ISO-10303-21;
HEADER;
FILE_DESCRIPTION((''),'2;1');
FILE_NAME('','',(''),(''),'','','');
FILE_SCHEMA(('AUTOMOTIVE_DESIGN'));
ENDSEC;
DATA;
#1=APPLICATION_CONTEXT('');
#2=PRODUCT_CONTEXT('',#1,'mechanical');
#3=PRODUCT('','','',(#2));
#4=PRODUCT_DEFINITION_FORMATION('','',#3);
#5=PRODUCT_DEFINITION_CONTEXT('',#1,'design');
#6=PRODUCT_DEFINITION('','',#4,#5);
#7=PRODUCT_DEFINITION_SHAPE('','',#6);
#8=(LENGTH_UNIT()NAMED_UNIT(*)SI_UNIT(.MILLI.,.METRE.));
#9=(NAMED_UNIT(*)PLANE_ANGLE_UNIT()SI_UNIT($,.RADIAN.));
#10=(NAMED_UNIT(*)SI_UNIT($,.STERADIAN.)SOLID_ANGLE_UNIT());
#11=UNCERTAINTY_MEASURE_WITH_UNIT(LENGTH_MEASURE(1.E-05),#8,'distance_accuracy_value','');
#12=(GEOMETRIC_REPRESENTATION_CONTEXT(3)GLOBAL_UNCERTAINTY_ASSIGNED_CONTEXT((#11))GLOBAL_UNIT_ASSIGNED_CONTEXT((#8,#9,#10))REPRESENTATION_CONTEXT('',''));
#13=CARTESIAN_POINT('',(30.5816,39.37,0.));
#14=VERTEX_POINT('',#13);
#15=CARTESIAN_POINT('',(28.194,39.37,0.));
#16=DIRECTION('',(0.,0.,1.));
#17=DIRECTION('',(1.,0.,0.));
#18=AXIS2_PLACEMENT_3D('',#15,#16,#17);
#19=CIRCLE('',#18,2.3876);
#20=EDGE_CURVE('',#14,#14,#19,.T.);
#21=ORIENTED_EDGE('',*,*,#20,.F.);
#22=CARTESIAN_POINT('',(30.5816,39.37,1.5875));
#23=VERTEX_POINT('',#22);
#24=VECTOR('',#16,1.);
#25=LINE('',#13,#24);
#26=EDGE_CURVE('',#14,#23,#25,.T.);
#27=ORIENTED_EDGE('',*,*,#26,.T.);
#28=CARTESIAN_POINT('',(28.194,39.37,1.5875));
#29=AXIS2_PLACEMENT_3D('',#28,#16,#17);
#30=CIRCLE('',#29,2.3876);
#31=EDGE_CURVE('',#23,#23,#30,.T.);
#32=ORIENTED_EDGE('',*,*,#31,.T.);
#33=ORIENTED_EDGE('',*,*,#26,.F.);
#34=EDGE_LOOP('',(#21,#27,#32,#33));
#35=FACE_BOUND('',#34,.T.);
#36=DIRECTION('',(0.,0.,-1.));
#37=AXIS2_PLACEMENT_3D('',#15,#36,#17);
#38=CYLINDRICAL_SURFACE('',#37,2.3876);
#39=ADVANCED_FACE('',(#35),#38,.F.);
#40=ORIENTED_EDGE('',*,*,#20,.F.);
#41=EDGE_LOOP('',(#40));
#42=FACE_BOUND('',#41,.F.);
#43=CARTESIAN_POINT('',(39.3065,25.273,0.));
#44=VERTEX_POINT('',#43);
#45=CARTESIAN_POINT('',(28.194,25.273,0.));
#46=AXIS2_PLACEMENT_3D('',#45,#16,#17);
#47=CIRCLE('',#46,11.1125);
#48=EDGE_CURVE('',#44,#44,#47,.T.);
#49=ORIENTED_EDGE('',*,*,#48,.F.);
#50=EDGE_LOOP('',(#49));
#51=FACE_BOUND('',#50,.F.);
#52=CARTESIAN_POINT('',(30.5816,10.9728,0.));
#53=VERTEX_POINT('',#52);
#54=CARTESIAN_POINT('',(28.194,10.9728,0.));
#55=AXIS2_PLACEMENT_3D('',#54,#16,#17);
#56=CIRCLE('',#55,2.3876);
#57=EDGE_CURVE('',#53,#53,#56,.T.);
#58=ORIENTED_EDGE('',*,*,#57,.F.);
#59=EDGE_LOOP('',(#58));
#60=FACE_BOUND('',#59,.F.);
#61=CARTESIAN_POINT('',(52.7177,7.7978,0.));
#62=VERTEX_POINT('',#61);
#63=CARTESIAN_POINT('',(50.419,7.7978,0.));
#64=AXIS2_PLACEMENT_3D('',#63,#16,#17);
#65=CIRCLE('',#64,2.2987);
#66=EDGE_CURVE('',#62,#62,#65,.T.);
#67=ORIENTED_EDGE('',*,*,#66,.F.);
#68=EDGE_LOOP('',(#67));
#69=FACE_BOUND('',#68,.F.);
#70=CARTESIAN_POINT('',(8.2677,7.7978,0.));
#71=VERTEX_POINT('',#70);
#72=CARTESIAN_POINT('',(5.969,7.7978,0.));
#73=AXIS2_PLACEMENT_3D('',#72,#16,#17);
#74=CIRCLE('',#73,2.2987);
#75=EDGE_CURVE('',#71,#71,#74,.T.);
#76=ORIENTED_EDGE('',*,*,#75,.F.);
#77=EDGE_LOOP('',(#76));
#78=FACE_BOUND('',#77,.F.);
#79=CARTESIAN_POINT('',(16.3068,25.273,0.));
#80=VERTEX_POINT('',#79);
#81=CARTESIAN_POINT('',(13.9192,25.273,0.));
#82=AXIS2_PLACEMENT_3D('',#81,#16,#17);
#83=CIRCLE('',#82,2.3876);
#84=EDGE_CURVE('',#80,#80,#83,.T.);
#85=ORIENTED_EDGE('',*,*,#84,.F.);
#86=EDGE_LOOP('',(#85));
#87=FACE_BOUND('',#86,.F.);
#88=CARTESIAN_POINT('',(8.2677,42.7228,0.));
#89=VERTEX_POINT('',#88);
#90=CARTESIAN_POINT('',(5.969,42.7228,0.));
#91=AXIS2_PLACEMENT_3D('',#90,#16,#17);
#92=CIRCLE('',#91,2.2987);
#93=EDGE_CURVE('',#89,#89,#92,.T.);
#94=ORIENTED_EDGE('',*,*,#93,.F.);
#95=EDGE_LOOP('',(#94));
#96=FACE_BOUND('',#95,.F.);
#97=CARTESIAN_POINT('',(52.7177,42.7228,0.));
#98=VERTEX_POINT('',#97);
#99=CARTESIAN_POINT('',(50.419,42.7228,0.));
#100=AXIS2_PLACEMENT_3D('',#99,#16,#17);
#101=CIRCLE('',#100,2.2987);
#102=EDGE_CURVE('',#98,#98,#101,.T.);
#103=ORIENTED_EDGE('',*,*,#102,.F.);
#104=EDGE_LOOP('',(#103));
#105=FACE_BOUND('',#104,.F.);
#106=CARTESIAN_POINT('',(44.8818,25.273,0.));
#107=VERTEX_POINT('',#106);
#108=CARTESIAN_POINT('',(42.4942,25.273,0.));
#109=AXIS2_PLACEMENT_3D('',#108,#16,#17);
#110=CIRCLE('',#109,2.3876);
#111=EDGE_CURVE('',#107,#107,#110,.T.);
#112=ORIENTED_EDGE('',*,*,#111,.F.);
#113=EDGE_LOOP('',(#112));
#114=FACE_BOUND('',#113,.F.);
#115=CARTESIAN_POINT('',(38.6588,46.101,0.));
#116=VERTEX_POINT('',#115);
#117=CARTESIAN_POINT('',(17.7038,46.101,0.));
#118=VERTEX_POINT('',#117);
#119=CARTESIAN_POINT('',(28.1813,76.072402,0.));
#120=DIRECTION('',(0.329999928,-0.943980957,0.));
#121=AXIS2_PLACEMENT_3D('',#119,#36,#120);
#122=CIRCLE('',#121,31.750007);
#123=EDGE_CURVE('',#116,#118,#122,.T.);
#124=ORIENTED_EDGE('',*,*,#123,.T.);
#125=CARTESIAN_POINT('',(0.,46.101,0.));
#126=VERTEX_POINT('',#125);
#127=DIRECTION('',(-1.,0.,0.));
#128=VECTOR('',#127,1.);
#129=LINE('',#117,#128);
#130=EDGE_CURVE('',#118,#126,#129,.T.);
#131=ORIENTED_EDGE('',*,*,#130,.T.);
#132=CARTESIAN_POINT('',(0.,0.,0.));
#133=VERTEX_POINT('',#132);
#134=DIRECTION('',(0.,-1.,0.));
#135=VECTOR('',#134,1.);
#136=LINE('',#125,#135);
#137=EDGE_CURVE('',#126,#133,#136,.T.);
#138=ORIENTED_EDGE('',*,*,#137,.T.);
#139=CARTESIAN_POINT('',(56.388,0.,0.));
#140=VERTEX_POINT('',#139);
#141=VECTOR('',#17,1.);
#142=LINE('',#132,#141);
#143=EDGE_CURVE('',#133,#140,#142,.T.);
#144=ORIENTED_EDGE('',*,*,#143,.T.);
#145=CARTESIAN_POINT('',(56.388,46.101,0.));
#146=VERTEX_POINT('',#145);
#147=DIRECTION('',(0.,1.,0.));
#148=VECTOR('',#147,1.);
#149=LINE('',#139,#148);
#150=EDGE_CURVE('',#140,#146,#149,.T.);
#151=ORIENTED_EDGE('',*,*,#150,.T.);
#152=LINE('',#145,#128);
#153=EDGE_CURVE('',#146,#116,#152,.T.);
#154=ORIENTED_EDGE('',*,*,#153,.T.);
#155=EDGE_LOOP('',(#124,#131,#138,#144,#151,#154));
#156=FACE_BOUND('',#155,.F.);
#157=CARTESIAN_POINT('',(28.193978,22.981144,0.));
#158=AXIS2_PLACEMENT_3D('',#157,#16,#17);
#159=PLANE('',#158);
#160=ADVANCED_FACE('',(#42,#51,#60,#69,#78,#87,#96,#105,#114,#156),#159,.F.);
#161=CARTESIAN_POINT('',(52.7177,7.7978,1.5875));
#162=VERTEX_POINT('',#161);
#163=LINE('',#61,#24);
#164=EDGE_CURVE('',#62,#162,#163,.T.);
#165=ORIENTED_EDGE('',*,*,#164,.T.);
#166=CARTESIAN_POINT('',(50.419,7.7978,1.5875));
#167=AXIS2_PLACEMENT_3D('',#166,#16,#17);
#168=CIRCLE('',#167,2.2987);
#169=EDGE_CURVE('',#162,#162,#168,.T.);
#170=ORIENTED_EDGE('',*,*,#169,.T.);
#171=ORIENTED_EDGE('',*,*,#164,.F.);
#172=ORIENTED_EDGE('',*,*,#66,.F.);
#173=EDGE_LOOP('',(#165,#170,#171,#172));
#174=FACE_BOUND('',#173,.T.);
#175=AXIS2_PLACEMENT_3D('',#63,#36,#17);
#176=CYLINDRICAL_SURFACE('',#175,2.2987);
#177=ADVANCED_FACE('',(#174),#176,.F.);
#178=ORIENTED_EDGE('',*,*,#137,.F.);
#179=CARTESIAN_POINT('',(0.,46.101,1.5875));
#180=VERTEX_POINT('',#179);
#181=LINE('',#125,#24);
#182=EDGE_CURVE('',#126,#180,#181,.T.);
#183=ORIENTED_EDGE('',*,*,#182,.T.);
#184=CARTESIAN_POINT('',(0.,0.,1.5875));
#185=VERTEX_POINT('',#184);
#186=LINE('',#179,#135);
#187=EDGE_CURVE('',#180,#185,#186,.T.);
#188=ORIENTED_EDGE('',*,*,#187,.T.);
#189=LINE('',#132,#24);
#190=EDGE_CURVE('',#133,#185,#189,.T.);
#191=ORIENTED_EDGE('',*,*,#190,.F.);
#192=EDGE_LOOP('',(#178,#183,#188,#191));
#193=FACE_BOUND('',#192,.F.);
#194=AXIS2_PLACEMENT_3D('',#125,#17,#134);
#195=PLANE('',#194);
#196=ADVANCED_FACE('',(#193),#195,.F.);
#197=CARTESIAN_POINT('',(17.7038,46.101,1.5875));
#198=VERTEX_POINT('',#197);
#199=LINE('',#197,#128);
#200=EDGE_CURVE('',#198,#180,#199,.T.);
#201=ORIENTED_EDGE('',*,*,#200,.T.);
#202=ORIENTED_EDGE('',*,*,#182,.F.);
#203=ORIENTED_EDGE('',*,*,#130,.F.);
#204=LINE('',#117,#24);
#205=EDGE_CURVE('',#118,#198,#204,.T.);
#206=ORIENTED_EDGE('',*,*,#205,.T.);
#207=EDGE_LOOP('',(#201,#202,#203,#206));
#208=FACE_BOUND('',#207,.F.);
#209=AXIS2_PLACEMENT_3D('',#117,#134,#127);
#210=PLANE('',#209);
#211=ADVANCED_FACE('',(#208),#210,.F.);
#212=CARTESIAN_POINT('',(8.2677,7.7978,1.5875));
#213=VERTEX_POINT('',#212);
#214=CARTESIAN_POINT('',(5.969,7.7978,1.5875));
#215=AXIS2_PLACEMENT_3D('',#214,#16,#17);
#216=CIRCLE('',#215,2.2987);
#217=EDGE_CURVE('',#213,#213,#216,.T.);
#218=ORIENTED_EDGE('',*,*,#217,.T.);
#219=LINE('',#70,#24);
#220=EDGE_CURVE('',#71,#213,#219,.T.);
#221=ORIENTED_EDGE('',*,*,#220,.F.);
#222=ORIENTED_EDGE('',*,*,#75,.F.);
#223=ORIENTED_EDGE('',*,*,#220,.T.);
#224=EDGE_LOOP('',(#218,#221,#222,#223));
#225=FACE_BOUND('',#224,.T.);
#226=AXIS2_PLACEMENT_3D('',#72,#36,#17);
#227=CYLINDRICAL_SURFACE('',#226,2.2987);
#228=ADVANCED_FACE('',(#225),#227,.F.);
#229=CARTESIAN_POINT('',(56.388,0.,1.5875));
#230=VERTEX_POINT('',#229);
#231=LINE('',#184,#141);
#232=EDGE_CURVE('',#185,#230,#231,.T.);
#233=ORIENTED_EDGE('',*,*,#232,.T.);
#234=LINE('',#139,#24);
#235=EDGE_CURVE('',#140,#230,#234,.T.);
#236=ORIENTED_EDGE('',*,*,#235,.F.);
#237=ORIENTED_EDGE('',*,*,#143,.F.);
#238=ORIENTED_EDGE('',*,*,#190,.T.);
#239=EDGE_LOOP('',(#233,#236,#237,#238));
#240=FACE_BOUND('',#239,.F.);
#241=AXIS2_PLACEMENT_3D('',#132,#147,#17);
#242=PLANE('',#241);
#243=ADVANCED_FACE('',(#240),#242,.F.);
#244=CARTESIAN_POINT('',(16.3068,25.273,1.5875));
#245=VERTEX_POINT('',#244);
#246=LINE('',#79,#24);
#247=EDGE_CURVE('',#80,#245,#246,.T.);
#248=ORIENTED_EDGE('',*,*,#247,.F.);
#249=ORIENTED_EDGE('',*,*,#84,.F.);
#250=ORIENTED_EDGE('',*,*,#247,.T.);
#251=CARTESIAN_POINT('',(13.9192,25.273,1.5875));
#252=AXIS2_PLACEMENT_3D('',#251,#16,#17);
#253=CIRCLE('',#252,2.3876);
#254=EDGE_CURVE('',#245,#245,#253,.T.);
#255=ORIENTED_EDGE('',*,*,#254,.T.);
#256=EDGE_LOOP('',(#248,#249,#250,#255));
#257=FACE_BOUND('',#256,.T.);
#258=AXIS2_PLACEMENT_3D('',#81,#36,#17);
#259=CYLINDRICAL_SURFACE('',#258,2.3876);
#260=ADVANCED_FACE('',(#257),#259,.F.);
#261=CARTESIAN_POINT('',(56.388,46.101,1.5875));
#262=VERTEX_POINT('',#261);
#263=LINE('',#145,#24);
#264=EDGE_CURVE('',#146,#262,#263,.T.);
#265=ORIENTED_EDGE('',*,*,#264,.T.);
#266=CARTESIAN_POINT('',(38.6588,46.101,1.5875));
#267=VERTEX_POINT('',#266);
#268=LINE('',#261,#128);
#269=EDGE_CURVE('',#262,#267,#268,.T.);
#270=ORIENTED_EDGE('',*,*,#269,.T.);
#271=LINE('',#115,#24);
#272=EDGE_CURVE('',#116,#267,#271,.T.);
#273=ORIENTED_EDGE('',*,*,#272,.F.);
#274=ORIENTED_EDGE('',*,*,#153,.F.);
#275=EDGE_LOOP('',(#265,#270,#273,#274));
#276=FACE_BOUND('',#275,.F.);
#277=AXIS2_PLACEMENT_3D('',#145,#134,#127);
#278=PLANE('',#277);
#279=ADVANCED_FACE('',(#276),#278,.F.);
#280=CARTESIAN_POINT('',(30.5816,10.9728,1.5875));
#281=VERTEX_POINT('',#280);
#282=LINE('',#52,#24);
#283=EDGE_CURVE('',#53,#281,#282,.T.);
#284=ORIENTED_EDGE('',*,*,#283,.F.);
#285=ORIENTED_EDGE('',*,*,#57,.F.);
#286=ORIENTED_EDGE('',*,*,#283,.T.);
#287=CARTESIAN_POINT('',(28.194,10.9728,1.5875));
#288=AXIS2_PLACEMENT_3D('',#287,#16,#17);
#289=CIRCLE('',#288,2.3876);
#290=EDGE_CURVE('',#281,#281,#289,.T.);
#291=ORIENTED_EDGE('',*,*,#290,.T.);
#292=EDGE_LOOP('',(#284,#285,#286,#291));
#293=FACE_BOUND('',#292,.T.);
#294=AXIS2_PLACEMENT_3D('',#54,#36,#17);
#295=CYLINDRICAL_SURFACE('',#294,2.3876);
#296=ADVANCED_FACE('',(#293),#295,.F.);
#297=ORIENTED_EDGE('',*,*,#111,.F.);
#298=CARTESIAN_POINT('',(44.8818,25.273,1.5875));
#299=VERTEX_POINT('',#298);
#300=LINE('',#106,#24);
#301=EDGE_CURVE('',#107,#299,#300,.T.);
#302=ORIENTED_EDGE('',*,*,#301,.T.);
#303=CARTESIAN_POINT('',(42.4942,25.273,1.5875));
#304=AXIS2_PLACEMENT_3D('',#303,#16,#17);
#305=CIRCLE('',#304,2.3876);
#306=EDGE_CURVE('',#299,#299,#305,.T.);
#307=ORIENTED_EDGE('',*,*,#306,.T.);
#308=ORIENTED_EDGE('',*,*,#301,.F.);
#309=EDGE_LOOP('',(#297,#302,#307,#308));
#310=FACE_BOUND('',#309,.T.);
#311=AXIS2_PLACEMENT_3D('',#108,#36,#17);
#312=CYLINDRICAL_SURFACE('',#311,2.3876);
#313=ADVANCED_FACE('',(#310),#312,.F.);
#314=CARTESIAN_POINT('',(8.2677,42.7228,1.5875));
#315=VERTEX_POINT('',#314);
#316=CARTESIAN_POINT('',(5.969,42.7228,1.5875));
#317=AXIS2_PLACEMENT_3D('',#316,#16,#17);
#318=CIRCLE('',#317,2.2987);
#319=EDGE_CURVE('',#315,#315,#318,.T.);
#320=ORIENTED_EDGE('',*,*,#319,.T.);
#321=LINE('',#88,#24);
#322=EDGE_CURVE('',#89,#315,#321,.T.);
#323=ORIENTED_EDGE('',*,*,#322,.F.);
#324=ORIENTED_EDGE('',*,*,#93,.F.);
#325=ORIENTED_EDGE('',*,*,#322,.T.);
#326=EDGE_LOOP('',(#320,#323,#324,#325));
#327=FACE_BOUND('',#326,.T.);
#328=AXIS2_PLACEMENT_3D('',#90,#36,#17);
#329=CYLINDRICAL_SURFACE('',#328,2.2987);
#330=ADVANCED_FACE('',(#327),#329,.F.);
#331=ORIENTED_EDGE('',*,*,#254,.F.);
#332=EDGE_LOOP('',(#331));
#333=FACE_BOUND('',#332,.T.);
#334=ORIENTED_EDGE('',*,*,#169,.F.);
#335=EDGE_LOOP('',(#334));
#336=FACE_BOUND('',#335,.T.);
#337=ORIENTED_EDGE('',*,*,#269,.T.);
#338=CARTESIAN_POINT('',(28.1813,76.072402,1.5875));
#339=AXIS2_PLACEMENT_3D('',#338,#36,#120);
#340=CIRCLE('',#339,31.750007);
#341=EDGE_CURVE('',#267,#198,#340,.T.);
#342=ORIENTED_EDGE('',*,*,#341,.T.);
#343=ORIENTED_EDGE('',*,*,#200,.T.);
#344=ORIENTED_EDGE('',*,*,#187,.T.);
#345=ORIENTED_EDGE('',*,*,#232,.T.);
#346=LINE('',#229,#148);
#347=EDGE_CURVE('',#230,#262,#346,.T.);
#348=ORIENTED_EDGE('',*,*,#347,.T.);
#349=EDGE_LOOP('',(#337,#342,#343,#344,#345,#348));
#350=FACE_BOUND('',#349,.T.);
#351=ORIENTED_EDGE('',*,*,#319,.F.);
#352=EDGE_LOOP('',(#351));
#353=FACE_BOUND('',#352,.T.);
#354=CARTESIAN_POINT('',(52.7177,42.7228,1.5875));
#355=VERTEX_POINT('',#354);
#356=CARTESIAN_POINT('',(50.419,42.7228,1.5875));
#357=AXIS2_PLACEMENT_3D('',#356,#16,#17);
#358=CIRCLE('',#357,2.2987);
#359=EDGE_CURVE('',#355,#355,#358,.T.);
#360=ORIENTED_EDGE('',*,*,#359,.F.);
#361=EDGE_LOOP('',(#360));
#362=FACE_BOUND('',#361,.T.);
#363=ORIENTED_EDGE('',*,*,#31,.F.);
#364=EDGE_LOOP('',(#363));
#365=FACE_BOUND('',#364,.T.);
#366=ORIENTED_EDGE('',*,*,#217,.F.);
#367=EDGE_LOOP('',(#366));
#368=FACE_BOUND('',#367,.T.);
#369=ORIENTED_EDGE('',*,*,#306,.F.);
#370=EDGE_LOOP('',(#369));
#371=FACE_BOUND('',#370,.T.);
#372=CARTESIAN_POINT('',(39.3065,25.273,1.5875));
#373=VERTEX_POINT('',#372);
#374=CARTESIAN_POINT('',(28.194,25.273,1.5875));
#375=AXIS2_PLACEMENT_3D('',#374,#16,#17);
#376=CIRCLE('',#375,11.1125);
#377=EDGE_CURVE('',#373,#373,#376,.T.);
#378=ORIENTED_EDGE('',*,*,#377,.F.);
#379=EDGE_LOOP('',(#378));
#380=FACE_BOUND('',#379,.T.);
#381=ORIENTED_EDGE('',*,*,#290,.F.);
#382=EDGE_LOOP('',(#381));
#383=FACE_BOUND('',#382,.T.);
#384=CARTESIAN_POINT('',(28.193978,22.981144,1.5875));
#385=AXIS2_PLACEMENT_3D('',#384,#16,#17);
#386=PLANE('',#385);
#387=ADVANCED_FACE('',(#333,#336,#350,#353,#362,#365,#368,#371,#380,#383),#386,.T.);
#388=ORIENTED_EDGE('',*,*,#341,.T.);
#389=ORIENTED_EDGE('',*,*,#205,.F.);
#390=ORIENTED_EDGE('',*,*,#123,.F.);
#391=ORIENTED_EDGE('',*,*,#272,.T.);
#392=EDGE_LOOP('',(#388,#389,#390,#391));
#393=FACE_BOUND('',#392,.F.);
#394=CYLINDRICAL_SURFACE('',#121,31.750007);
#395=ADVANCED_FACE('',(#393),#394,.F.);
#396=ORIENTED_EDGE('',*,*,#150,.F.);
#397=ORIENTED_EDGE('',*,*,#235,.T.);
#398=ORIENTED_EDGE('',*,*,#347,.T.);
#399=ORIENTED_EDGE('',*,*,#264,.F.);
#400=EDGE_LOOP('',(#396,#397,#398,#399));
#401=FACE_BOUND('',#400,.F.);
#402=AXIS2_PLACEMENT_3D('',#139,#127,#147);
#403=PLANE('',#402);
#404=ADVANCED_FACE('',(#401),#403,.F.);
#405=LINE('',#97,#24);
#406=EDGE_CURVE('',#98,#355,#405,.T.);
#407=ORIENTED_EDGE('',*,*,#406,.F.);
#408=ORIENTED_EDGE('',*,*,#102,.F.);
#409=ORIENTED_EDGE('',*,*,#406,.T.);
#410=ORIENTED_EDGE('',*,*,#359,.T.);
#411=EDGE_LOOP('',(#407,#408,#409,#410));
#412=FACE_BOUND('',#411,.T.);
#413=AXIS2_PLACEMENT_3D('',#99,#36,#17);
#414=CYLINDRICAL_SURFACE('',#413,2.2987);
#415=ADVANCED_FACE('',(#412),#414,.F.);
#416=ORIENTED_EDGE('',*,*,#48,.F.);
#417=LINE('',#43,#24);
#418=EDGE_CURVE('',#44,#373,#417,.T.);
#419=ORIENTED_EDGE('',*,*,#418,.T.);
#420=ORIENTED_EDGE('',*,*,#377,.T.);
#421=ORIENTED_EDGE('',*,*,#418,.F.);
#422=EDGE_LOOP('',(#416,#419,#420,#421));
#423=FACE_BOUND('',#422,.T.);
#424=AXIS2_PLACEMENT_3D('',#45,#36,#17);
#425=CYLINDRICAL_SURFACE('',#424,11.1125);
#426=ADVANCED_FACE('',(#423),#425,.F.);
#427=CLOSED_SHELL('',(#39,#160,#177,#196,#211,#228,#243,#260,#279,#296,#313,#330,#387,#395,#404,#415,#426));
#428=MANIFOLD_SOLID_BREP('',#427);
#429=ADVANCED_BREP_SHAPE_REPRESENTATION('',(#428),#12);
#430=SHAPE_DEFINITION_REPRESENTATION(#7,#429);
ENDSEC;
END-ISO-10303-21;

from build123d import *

# Parameters (mm, degrees)
F0_R     = 2.2987
F0_R_2   = 2.3876
F0_R_3   = 11.1125
F1_DEPTH = 1.5875


with BuildPart() as f1:
    # F0 (on Top) → F1 (new body)
    with BuildSketch(Plane.XY):
        with BuildLine():
            Line((0, 46.101), (0, 0))
            Line((0, 0), (56.388, 0))
            Line((56.388, 0), (56.388, 46.101))
            Line((56.388, 46.101), (38.6588, 46.101))
            ThreePointArc((38.6588, 46.101), (28.1813, 44.322395), (17.7038, 46.101))
            Line((17.7038, 46.101), (0, 46.101))
        make_face()
        with Locations((5.969, 7.7978)):
            Circle(F0_R, mode=Mode.SUBTRACT)
        with Locations((28.194, 10.9728)):
            Circle(F0_R_2, mode=Mode.SUBTRACT)
        with Locations((50.419, 7.7978)):
            Circle(F0_R, mode=Mode.SUBTRACT)
        with Locations((5.969, 42.7228)):
            Circle(F0_R, mode=Mode.SUBTRACT)
        with Locations((13.9192, 25.273)):
            Circle(F0_R_2, mode=Mode.SUBTRACT)
        with Locations((28.194, 25.273)):
            Circle(F0_R_3, mode=Mode.SUBTRACT)
        with Locations((42.4942, 25.273)):
            Circle(F0_R_2, mode=Mode.SUBTRACT)
        with Locations((28.194, 39.37)):
            Circle(F0_R_2, mode=Mode.SUBTRACT)
        with Locations((50.419, 42.7228)):
            Circle(F0_R, mode=Mode.SUBTRACT)
    extrude(amount=F1_DEPTH)


solid = f1.part
